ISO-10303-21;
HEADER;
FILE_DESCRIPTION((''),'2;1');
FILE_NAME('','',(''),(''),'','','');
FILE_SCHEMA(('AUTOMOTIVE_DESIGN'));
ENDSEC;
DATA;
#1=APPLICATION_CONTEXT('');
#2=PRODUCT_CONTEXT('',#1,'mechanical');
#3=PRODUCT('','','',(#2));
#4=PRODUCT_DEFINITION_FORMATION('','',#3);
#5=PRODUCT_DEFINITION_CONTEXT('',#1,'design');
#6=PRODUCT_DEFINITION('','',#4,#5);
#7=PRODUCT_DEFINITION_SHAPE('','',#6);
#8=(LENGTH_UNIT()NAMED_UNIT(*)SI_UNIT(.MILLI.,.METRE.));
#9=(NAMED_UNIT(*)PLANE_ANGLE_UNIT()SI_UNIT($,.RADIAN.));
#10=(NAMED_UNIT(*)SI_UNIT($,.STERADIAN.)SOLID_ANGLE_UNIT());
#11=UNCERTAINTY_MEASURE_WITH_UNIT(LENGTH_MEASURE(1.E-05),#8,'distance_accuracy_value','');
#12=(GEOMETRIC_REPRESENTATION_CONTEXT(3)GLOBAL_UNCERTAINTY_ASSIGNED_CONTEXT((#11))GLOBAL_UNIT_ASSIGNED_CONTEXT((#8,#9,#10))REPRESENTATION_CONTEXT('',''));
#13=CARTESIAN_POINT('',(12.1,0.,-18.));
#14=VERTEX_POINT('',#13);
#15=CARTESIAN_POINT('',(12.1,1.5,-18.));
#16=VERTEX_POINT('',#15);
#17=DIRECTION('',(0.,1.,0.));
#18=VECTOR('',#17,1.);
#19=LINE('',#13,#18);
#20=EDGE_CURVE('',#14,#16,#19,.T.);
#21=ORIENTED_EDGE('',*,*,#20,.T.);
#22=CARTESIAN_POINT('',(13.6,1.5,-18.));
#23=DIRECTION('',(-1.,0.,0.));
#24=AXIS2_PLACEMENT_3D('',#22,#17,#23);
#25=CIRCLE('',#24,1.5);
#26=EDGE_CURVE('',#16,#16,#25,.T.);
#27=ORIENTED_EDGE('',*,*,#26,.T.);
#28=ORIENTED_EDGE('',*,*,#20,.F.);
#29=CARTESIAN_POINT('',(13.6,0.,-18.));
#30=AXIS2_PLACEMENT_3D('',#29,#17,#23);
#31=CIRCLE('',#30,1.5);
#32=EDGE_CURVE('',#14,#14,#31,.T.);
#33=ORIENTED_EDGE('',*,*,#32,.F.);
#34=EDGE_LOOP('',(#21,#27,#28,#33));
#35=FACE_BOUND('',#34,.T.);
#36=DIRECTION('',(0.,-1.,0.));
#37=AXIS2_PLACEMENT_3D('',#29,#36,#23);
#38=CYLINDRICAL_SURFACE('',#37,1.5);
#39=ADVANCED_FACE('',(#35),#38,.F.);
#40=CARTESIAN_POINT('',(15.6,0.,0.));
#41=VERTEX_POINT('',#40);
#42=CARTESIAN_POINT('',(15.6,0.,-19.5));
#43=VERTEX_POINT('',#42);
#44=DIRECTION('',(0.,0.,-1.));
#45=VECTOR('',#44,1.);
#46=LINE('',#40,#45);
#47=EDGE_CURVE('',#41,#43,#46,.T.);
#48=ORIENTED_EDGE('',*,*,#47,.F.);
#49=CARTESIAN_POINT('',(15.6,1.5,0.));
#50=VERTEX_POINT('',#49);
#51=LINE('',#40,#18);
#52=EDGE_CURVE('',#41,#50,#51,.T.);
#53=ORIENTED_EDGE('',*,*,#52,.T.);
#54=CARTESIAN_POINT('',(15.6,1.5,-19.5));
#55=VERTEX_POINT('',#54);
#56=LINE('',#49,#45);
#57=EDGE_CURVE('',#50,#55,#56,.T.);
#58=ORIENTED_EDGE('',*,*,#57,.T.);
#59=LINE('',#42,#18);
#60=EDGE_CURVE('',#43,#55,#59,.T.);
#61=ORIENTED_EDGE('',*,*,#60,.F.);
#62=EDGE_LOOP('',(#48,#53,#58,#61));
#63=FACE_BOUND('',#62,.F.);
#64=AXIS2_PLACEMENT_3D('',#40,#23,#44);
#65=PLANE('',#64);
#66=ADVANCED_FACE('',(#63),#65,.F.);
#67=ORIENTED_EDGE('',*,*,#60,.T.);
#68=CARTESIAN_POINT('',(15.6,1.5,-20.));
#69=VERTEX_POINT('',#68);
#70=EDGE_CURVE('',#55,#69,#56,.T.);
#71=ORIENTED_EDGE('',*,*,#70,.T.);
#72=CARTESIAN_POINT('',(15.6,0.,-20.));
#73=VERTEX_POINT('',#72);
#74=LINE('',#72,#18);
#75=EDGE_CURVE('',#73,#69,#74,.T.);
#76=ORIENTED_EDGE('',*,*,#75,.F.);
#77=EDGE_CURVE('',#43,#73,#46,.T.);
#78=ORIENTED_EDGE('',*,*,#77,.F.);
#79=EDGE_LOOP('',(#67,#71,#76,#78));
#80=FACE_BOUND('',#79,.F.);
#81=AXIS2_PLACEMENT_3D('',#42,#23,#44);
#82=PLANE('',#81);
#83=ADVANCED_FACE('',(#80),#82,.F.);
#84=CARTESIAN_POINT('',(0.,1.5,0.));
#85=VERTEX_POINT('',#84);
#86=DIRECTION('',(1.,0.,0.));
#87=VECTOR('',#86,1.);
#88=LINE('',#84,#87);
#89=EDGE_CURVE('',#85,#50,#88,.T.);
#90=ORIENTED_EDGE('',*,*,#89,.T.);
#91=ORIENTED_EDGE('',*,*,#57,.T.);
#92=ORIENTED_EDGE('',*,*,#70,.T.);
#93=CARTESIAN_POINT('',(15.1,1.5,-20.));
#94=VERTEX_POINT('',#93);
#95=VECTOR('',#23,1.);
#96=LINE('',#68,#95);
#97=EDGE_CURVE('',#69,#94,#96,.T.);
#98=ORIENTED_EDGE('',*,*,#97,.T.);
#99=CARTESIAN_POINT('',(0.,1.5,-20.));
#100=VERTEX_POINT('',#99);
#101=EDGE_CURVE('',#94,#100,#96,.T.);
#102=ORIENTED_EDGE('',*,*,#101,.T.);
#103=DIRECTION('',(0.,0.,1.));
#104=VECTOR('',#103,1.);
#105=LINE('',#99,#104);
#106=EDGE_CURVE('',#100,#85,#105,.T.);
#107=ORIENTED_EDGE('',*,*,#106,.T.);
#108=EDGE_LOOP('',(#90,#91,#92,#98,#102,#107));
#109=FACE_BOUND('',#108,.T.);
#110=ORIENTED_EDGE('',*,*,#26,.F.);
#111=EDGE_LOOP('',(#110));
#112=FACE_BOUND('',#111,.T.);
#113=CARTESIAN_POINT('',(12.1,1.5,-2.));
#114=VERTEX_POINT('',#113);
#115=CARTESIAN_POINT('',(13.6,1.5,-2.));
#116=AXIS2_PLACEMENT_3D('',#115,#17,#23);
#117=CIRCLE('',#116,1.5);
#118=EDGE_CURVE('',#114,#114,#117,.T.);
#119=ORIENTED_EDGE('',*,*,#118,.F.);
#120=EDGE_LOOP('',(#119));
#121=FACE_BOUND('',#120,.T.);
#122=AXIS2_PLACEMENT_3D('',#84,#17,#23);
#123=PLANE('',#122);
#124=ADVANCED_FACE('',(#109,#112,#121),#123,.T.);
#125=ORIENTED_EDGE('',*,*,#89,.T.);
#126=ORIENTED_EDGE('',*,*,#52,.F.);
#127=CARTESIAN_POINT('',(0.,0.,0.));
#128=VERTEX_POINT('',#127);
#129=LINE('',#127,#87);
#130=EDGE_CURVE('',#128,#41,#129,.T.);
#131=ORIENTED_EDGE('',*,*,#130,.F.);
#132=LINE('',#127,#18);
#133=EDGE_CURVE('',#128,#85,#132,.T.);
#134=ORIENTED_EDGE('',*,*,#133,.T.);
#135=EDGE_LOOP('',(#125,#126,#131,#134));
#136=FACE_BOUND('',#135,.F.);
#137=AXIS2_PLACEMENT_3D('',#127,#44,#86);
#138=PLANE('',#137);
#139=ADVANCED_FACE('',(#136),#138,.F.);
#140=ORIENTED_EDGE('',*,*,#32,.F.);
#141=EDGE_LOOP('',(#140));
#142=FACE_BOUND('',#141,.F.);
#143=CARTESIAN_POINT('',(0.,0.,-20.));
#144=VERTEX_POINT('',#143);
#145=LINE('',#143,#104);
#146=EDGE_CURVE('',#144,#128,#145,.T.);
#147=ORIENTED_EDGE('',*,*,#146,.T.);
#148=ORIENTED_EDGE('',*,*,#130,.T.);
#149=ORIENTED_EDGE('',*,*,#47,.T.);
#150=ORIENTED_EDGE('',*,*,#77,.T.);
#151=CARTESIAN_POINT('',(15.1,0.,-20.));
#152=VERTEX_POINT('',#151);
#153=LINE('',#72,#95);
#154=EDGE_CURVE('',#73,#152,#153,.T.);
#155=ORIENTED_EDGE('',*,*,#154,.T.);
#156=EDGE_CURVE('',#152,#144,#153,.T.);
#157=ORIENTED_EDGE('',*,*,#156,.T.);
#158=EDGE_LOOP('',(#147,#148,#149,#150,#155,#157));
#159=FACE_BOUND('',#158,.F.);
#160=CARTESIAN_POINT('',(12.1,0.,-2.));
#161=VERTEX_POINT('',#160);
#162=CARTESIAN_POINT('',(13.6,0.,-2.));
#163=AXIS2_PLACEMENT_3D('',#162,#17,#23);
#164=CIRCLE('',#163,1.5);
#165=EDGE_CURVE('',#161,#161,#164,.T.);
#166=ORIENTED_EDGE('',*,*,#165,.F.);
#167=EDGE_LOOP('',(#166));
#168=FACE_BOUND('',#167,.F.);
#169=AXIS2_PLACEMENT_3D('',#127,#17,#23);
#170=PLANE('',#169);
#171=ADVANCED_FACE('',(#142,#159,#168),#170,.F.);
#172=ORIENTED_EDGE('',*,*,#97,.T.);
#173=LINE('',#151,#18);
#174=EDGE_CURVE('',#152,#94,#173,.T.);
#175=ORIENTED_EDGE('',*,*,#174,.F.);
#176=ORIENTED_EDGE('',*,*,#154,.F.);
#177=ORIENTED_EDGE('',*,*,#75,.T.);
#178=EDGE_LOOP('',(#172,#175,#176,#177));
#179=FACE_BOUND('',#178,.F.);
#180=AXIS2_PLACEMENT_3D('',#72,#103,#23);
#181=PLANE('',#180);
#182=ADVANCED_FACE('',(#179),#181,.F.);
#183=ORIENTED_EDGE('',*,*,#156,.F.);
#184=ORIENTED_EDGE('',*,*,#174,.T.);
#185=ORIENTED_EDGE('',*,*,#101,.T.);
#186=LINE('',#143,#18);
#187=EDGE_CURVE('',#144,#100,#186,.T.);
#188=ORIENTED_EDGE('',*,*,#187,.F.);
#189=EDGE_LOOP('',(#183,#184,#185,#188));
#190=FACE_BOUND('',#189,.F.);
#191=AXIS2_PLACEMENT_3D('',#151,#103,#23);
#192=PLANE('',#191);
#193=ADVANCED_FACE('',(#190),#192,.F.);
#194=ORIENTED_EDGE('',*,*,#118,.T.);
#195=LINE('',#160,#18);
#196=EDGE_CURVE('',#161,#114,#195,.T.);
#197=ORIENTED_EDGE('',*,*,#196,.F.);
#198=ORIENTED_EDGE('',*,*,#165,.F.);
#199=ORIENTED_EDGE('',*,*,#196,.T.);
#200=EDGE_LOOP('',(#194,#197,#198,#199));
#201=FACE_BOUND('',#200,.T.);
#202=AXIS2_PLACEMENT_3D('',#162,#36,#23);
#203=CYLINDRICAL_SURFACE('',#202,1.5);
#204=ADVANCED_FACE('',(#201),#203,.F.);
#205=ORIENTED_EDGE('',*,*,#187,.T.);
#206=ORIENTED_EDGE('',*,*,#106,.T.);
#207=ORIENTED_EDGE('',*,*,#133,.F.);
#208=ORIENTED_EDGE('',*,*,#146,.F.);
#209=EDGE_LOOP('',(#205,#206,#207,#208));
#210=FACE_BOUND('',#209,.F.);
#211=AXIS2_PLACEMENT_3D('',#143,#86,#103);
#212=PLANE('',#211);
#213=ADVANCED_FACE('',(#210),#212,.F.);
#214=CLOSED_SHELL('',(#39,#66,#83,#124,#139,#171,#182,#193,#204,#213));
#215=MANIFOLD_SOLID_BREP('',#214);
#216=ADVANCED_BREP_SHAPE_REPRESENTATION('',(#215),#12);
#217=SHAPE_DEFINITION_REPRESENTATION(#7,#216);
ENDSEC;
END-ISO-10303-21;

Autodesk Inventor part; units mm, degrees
ref_plane "YZ Plane" through (0, 0, 0) normal (1, 0, 0) x (0, 1, 0)
ref_plane "XZ Plane" through (0, 0, 0) normal (0, 1, 0) x (-1, 0, 0)
ref_plane "XY Plane" through (0, 0, 0) normal (0, 0, 1) x (1, 0, 0)
sketch "Sketch1" plane through (0, 0, 0) normal (0, 1, 0) x (-1, 0, 0)
  line L0 (0, 0) -> (-15.6, 0)
  line L1 (-15.6, 0) -> (-15.6, -20)
  line L2 (-15.6, -20) -> (0, -20)
  line L3 (0, -20) -> (0, 0)
  line L4 (-15.6, -20) -> (-15.1, -20)
  line L5 (-15.6, -19.5) -> (-15.6, -20)
  circle A0 centre (-13.6, -18) radius 1.5
  circle A1 centre (-13.6, -2) radius 1.5
  dimension "d9" = 15.6
  dimension "d10" = 20
extrude "Extrusion3" add sketch "Sketch1" along normal blind 1.5
properties part number "ESP32_C3_SM"
